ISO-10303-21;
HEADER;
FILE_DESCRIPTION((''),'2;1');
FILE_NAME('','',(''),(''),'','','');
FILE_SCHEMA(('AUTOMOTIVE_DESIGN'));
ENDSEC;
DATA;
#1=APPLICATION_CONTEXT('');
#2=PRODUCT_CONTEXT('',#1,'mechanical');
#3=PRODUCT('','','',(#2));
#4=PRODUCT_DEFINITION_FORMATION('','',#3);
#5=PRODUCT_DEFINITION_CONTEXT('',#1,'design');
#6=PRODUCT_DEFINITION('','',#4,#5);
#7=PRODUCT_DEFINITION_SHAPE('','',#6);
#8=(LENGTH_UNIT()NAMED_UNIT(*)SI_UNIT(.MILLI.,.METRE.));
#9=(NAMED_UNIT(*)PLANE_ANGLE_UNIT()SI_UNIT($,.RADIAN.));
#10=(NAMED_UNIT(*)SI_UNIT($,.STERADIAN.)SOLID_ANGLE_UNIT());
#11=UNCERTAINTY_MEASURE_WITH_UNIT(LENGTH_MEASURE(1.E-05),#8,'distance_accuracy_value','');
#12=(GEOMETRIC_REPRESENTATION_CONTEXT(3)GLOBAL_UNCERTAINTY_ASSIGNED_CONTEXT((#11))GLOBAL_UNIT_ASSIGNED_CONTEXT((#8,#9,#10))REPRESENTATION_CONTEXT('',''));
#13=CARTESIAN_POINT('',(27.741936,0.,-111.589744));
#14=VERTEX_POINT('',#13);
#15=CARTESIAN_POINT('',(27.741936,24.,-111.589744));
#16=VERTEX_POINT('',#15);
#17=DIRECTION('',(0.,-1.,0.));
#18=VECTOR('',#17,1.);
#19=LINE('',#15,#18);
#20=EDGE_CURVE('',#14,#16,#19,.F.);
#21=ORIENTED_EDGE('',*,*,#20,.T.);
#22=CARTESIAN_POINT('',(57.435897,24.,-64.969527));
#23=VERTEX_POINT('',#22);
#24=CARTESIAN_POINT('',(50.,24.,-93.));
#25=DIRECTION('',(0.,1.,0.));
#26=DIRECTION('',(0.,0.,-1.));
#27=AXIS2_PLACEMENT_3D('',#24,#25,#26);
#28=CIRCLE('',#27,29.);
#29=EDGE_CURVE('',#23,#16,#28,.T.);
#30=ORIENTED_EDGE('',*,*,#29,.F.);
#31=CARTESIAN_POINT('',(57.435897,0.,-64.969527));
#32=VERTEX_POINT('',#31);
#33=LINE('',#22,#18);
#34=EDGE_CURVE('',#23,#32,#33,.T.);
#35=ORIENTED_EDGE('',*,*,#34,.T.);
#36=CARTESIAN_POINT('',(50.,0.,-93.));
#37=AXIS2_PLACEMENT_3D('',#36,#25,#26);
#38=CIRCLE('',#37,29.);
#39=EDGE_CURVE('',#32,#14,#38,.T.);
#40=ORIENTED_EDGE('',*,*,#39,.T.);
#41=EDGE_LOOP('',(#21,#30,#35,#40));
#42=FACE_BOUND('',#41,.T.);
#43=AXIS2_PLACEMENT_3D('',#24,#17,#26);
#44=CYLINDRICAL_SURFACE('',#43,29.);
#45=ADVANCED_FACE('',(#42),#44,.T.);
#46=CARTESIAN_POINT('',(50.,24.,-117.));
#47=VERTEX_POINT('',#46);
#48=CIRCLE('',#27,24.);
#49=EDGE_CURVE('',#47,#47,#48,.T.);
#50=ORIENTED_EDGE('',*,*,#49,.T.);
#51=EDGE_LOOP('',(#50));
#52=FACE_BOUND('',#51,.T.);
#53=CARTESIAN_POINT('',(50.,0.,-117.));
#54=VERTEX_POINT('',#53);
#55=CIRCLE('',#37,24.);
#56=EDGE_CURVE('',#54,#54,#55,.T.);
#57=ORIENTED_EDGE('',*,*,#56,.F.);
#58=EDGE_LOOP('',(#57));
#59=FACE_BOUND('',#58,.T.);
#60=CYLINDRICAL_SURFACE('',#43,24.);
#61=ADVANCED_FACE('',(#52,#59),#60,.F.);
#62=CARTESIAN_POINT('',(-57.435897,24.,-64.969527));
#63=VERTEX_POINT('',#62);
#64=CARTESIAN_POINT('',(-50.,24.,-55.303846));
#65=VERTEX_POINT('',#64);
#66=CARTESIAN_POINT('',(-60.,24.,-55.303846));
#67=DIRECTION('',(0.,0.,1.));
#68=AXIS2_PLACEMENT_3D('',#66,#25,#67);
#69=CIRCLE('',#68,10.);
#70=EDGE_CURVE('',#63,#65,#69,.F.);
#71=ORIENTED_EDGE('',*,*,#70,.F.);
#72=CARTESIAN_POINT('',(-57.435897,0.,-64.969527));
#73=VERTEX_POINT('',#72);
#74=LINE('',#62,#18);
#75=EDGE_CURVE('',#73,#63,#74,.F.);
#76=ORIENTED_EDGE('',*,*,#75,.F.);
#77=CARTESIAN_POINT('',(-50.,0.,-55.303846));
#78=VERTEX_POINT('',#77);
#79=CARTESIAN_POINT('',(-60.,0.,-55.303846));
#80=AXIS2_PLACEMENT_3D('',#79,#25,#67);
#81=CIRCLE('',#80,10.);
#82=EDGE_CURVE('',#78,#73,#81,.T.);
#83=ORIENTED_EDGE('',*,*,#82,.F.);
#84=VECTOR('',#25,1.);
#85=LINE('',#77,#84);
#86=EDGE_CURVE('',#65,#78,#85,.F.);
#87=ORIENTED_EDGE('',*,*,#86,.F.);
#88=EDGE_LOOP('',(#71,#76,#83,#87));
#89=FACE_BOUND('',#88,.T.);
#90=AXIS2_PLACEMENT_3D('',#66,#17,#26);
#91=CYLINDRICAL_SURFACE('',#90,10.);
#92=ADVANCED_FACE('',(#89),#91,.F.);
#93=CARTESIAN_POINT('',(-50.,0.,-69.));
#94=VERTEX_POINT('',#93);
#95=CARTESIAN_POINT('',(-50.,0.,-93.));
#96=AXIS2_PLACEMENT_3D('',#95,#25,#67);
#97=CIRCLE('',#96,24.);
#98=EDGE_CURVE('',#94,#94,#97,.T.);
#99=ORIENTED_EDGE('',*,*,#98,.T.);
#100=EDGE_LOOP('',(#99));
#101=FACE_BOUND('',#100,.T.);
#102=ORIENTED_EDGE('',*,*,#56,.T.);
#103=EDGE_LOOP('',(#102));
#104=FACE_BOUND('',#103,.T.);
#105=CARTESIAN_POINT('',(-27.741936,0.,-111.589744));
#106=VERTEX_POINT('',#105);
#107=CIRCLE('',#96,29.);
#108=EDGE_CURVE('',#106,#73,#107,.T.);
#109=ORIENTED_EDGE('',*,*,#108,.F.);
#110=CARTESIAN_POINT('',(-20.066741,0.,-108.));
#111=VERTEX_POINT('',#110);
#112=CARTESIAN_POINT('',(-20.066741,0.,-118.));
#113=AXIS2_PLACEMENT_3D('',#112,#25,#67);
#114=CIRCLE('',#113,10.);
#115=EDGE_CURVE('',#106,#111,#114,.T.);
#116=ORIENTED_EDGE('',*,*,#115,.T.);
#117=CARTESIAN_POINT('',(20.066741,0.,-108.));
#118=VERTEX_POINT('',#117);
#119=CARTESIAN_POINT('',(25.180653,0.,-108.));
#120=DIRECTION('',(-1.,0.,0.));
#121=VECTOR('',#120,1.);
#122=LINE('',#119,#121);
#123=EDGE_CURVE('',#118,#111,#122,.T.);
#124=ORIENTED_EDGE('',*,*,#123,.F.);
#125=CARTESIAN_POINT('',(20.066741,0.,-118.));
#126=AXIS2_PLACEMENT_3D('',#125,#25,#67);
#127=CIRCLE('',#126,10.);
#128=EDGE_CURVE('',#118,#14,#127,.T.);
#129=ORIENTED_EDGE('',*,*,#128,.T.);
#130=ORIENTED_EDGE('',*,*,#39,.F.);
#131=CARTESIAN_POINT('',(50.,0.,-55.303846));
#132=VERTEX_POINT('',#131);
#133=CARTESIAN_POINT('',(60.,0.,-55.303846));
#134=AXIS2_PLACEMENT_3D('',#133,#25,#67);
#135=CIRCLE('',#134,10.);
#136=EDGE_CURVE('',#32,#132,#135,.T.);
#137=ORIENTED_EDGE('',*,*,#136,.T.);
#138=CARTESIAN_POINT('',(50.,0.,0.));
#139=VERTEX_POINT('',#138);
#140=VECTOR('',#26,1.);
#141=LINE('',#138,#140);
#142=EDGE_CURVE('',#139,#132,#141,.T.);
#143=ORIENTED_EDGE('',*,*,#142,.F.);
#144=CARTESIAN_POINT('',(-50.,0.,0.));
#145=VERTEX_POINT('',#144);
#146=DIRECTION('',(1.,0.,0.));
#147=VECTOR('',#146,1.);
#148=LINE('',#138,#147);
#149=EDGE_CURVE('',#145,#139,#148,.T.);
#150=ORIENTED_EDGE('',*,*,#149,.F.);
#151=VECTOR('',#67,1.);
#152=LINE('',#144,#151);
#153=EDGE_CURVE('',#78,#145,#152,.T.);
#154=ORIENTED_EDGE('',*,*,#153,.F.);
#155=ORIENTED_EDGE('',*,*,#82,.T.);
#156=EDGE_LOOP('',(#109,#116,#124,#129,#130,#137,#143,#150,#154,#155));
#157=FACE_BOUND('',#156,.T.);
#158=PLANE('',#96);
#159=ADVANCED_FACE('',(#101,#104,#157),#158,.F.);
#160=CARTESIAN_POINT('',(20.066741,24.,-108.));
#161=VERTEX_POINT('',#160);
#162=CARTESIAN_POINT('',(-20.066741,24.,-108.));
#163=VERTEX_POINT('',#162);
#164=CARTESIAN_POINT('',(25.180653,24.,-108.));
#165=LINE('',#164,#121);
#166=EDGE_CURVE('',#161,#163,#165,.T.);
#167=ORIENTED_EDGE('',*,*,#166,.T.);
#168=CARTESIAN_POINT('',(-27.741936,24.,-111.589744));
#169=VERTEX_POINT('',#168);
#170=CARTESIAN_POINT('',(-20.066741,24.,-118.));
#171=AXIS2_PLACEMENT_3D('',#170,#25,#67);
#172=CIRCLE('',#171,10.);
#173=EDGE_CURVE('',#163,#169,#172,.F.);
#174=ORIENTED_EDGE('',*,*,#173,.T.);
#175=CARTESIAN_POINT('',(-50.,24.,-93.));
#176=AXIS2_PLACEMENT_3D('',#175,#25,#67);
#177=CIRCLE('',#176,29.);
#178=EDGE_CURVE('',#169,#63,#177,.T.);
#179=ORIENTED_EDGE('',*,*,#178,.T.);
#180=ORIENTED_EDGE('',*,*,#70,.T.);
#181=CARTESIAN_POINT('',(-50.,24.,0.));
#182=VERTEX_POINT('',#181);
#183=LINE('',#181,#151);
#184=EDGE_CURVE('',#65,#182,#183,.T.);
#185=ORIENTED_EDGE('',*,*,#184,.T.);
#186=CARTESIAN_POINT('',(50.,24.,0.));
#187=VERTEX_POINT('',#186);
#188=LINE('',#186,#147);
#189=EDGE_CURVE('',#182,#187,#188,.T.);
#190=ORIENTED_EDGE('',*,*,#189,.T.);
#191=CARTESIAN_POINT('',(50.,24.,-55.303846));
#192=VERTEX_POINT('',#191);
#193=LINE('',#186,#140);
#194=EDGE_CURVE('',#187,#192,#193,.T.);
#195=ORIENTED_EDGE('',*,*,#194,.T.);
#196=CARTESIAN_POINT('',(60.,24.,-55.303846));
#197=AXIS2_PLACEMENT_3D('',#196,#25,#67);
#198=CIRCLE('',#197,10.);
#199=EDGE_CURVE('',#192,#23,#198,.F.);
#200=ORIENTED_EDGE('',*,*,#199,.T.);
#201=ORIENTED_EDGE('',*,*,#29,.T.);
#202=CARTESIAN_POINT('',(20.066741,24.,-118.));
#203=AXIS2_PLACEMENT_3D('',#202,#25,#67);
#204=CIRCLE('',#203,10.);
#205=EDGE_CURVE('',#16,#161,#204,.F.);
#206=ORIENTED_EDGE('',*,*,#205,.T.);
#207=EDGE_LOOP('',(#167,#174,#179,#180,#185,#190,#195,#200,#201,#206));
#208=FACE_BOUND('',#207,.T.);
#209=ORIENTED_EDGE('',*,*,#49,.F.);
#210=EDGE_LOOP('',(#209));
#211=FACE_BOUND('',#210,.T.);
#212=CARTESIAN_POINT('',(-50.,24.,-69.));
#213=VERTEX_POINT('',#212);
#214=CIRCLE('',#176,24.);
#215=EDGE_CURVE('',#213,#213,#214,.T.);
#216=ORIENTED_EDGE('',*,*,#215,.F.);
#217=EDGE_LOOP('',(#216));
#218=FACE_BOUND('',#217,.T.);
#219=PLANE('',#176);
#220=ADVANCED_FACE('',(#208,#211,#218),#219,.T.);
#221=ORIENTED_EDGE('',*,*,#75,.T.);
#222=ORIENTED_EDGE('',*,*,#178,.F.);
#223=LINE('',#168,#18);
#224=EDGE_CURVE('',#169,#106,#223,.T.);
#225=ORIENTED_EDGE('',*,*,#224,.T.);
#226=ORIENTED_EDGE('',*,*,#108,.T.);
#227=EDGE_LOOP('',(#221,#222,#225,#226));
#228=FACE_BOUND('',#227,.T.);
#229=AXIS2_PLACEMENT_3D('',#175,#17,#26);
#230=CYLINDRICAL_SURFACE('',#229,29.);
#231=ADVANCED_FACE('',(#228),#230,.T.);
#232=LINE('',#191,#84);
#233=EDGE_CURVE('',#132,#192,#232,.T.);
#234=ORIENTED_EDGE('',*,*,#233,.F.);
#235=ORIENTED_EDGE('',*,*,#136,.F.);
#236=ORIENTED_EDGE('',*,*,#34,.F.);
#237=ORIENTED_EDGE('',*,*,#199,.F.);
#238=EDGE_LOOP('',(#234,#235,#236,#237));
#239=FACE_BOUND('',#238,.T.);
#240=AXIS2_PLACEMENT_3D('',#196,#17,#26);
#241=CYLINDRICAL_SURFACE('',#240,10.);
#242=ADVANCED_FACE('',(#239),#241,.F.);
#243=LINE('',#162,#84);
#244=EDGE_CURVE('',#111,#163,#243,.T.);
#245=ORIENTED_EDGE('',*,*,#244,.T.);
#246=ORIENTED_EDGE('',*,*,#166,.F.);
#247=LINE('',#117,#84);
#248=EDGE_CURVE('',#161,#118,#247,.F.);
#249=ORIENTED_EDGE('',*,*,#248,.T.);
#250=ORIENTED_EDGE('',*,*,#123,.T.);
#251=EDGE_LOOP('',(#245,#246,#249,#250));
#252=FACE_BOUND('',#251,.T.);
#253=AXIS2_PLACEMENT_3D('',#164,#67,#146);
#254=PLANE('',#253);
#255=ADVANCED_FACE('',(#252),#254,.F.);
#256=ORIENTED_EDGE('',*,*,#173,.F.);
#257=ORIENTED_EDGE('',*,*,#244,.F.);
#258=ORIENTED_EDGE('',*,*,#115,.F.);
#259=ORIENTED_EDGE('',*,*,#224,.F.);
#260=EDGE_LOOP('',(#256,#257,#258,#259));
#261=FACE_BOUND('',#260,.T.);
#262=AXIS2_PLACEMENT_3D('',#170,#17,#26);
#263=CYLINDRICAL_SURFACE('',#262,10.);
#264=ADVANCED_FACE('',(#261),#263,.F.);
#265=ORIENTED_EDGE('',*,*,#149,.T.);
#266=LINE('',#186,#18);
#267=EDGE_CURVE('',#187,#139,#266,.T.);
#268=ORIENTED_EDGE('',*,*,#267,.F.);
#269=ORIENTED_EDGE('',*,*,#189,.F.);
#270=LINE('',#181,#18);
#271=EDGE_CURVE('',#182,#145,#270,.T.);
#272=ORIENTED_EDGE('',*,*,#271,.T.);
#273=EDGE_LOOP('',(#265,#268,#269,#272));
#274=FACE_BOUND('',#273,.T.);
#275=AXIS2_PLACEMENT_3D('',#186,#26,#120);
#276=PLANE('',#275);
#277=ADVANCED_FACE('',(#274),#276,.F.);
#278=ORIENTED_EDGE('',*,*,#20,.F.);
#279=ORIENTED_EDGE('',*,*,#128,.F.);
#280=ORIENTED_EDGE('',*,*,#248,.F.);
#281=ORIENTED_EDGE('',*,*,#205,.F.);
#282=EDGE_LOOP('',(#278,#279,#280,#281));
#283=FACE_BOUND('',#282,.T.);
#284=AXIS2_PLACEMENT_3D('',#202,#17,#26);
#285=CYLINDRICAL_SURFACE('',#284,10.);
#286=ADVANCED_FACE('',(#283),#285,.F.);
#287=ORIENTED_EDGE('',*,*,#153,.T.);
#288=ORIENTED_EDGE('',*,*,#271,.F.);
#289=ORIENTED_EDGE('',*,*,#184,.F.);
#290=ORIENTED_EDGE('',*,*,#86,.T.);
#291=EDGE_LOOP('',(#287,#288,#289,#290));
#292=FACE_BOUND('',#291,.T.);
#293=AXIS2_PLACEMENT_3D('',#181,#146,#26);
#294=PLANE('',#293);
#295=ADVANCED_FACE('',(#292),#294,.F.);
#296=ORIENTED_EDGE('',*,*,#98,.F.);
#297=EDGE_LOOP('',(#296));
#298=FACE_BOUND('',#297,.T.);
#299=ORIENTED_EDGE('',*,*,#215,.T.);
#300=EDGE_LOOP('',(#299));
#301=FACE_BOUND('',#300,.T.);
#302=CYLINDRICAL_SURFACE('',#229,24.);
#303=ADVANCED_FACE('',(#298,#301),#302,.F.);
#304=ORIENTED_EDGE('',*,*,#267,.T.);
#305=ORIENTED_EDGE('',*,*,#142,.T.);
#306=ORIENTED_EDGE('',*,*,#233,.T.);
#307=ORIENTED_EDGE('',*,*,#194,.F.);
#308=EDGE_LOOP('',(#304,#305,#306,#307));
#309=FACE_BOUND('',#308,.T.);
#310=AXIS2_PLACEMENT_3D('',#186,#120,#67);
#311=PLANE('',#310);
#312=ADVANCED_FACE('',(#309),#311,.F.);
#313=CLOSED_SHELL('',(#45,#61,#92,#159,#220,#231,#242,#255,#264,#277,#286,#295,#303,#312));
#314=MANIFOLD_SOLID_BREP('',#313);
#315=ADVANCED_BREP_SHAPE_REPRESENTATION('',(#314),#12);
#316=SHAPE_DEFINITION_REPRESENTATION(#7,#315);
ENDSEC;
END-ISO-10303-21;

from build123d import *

# Parameters (mm, degrees)
SKETCH1_R           = 24
BOSS_EXTRUDE1_DEPTH = 24
FILLET1_R           = 10


with BuildPart() as part:
    # Sketch1 → Boss-Extrude1 (new body)
    with BuildSketch(Plane(origin=(0, 0, 0), x_dir=(1, 0, 0), z_dir=(0, 1, 0))):
        with BuildLine():
            Line((50, 0), (-50, 0))
            Line((-50, 0), (-50, 64))
            ThreePointArc((-50, 64), (-75.258661881, 107.247806849), (-25.180652708, 108))
            Line((-25.180652708, 108), (25.180652708, 108))
            ThreePointArc((25.180652708, 108), (75.258661881, 107.247806849), (50, 64))
            Line((50, 64), (50, 0))
        make_face()
        with Locations((-50, 93)):
            Circle(SKETCH1_R, mode=Mode.SUBTRACT)
        with Locations((50, 93)):
            Circle(SKETCH1_R, mode=Mode.SUBTRACT)
    extrude(amount=BOSS_EXTRUDE1_DEPTH)

    # Fillet1
    fillet1_edges = [part.edges().sort_by_distance(p)[0] for p in [
        (-50, 12, -64),
        (-25.180652708, 12, -108),
        (25.180652708, 12, -108),
        (50, 12, -64),
    ]]
    fillet(fillet1_edges, radius=FILLET1_R)


solid = part.part
